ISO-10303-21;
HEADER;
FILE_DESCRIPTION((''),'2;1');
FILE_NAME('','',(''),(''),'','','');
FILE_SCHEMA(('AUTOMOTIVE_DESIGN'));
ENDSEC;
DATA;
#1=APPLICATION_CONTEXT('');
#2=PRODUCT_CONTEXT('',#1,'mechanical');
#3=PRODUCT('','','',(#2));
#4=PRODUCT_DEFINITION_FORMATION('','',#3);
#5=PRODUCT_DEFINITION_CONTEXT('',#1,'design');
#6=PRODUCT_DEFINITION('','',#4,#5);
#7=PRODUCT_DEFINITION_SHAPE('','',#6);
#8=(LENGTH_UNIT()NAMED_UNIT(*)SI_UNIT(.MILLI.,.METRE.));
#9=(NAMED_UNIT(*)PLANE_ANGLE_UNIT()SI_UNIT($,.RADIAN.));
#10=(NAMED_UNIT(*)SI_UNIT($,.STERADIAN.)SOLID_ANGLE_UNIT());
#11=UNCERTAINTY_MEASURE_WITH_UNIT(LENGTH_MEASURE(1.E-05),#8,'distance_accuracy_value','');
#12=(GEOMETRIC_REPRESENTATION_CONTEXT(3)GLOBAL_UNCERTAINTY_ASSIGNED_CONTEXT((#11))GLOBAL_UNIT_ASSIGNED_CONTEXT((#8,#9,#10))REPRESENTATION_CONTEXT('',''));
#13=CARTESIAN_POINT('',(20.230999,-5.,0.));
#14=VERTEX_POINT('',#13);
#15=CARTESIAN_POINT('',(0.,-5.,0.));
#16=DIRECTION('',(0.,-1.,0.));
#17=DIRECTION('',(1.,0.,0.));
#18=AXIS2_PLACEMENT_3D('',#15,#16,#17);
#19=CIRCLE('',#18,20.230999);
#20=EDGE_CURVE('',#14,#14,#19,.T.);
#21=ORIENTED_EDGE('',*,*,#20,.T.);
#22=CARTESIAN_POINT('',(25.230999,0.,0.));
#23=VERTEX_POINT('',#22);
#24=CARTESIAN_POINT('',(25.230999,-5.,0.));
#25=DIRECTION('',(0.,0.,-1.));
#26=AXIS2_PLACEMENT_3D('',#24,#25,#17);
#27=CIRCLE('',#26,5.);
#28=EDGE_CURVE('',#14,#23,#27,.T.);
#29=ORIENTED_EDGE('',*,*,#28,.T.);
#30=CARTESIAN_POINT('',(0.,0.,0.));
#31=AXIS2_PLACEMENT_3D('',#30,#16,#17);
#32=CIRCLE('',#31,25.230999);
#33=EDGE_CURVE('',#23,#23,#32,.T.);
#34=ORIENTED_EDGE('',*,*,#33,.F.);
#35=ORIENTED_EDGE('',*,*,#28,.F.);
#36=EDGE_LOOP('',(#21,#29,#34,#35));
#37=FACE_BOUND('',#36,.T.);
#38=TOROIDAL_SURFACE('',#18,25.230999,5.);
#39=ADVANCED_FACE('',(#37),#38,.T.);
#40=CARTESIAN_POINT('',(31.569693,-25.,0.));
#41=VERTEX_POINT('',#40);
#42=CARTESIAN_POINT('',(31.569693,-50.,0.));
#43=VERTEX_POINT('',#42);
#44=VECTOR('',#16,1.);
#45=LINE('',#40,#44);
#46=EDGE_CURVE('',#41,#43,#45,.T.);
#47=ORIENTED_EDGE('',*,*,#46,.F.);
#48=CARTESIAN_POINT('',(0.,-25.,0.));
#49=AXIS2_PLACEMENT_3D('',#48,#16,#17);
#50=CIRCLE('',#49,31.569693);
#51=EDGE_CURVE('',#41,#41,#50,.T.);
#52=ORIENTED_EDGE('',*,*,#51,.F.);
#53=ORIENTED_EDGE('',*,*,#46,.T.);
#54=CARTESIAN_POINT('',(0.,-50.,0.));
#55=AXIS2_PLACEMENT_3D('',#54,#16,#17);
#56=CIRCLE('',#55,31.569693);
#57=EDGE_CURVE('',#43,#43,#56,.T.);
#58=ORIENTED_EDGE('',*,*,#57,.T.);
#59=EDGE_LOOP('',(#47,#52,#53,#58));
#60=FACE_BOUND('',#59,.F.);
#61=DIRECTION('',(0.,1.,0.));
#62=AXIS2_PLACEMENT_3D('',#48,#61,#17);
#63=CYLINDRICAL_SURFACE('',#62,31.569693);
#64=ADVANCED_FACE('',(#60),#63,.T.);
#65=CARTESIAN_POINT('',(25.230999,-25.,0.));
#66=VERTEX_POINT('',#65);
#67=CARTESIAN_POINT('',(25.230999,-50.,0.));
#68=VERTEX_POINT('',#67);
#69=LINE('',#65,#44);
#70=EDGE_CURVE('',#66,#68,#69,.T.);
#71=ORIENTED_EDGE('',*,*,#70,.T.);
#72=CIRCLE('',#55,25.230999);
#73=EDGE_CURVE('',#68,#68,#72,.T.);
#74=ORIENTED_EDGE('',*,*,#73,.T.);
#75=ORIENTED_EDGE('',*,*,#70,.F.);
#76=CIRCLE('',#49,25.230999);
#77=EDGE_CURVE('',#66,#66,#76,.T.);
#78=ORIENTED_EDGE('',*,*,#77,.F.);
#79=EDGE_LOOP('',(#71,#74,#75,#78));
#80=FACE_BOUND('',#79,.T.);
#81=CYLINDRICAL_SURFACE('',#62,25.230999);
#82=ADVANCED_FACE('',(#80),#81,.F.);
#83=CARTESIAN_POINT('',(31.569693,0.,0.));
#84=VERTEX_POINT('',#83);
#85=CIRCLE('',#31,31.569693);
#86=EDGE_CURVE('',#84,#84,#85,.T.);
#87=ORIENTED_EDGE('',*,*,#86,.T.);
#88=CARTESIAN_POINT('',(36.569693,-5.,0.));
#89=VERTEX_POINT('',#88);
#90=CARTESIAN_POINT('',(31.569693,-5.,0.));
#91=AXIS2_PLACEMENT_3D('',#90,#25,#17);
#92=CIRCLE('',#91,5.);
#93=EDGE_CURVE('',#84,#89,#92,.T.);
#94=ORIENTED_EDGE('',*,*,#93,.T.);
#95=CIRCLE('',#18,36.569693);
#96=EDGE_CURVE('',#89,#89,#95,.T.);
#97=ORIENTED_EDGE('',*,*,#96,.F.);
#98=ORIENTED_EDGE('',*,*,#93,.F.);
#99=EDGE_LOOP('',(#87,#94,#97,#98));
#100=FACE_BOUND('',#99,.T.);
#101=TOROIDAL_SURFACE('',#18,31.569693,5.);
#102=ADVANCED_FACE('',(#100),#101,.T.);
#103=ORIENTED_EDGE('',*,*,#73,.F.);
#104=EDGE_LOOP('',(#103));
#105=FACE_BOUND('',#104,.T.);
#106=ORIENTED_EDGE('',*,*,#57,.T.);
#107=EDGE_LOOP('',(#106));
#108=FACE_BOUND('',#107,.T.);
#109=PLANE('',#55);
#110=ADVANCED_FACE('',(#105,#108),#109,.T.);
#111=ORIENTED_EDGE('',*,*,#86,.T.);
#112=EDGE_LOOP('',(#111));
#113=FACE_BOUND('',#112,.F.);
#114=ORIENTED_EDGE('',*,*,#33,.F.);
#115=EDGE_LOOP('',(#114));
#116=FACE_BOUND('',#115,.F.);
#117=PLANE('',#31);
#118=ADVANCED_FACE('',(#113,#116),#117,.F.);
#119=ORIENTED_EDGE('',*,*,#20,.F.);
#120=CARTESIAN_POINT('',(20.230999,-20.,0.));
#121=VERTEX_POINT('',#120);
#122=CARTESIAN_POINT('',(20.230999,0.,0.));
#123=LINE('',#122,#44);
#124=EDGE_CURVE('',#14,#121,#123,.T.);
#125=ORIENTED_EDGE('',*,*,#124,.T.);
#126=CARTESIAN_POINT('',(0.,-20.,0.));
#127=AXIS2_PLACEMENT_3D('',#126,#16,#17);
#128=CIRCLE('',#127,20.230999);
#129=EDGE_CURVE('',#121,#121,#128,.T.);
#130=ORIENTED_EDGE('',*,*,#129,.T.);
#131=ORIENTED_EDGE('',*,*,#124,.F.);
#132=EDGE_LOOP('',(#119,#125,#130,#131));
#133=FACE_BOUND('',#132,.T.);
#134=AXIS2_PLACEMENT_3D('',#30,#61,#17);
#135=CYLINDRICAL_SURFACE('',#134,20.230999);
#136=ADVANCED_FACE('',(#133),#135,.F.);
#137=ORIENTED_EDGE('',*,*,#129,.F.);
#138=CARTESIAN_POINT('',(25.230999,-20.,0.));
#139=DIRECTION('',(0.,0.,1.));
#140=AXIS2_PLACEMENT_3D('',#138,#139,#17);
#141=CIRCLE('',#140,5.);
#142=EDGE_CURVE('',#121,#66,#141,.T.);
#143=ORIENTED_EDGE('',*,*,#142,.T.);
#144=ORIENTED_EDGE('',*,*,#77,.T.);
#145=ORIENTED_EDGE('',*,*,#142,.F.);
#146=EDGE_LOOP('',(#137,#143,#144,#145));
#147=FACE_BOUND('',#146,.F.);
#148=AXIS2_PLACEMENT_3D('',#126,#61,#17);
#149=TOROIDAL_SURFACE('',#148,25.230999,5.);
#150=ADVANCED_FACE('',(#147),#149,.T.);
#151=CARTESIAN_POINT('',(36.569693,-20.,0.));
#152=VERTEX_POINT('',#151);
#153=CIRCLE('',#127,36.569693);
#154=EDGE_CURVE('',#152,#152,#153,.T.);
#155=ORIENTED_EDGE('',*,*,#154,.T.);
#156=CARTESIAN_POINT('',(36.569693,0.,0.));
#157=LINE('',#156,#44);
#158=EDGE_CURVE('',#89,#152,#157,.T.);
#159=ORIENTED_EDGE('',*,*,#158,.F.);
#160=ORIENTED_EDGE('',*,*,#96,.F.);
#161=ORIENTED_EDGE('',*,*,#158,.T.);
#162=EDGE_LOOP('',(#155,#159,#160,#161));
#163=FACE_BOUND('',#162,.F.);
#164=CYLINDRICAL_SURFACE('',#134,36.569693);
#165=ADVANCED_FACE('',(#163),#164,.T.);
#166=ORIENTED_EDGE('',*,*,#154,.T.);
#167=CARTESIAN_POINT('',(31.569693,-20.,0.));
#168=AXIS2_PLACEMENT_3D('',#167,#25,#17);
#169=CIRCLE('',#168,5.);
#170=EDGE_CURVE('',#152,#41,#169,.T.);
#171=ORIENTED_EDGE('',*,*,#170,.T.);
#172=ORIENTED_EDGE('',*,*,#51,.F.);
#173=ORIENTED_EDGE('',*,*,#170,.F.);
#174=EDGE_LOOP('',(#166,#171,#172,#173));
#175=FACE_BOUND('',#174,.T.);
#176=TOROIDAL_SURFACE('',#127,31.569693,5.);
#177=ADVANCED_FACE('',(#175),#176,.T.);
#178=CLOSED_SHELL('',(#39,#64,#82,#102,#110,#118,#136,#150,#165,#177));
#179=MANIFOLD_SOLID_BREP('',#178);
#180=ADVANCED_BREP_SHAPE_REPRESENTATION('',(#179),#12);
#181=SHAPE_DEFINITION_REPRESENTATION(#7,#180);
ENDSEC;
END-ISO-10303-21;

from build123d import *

# Parameters (mm, degrees)
F0_R     = 36.5696932785
F0_R_2   = 20.2309994717
F1_DEPTH = 25
F2_R     = 5
F3_R     = 5
F4_R     = 5
F5_R     = 5
F6_DEPTH = 25


with BuildPart() as f1:
    # F0 (on Front) → F1 (new body)
    with BuildSketch(Plane.XZ):
        Circle(F0_R)
        Circle(F0_R_2, mode=Mode.SUBTRACT)
    extrude(amount=F1_DEPTH)

    # F2
    f2_edges = [f1.edges().sort_by_distance(p)[0] for p in [
        (-20.230999, -25, 0),
    ]]
    fillet(f2_edges, radius=F2_R)

    # F3
    f3_edges = [f1.edges().sort_by_distance(p)[0] for p in [
        (-20.230999, 0, 0),
    ]]
    fillet(f3_edges, radius=F3_R)

    # F4
    f4_edges = [f1.edges().sort_by_distance(p)[0] for p in [
        (-36.569693, 0, 0),
    ]]
    fillet(f4_edges, radius=F4_R)

    # F5
    f5_edges = [f1.edges().sort_by_distance(p)[0] for p in [
        (-36.569693, -25, 0),
    ]]
    fillet(f5_edges, radius=F5_R)

    # F6 (add): a face of the model
    f6_faces = [f1.faces().sort_by_distance(p)[0] for p in [
        (-30.6767675107, -25, 0),
    ]]
    extrude(f6_faces, amount=F6_DEPTH)


solid = f1.part
